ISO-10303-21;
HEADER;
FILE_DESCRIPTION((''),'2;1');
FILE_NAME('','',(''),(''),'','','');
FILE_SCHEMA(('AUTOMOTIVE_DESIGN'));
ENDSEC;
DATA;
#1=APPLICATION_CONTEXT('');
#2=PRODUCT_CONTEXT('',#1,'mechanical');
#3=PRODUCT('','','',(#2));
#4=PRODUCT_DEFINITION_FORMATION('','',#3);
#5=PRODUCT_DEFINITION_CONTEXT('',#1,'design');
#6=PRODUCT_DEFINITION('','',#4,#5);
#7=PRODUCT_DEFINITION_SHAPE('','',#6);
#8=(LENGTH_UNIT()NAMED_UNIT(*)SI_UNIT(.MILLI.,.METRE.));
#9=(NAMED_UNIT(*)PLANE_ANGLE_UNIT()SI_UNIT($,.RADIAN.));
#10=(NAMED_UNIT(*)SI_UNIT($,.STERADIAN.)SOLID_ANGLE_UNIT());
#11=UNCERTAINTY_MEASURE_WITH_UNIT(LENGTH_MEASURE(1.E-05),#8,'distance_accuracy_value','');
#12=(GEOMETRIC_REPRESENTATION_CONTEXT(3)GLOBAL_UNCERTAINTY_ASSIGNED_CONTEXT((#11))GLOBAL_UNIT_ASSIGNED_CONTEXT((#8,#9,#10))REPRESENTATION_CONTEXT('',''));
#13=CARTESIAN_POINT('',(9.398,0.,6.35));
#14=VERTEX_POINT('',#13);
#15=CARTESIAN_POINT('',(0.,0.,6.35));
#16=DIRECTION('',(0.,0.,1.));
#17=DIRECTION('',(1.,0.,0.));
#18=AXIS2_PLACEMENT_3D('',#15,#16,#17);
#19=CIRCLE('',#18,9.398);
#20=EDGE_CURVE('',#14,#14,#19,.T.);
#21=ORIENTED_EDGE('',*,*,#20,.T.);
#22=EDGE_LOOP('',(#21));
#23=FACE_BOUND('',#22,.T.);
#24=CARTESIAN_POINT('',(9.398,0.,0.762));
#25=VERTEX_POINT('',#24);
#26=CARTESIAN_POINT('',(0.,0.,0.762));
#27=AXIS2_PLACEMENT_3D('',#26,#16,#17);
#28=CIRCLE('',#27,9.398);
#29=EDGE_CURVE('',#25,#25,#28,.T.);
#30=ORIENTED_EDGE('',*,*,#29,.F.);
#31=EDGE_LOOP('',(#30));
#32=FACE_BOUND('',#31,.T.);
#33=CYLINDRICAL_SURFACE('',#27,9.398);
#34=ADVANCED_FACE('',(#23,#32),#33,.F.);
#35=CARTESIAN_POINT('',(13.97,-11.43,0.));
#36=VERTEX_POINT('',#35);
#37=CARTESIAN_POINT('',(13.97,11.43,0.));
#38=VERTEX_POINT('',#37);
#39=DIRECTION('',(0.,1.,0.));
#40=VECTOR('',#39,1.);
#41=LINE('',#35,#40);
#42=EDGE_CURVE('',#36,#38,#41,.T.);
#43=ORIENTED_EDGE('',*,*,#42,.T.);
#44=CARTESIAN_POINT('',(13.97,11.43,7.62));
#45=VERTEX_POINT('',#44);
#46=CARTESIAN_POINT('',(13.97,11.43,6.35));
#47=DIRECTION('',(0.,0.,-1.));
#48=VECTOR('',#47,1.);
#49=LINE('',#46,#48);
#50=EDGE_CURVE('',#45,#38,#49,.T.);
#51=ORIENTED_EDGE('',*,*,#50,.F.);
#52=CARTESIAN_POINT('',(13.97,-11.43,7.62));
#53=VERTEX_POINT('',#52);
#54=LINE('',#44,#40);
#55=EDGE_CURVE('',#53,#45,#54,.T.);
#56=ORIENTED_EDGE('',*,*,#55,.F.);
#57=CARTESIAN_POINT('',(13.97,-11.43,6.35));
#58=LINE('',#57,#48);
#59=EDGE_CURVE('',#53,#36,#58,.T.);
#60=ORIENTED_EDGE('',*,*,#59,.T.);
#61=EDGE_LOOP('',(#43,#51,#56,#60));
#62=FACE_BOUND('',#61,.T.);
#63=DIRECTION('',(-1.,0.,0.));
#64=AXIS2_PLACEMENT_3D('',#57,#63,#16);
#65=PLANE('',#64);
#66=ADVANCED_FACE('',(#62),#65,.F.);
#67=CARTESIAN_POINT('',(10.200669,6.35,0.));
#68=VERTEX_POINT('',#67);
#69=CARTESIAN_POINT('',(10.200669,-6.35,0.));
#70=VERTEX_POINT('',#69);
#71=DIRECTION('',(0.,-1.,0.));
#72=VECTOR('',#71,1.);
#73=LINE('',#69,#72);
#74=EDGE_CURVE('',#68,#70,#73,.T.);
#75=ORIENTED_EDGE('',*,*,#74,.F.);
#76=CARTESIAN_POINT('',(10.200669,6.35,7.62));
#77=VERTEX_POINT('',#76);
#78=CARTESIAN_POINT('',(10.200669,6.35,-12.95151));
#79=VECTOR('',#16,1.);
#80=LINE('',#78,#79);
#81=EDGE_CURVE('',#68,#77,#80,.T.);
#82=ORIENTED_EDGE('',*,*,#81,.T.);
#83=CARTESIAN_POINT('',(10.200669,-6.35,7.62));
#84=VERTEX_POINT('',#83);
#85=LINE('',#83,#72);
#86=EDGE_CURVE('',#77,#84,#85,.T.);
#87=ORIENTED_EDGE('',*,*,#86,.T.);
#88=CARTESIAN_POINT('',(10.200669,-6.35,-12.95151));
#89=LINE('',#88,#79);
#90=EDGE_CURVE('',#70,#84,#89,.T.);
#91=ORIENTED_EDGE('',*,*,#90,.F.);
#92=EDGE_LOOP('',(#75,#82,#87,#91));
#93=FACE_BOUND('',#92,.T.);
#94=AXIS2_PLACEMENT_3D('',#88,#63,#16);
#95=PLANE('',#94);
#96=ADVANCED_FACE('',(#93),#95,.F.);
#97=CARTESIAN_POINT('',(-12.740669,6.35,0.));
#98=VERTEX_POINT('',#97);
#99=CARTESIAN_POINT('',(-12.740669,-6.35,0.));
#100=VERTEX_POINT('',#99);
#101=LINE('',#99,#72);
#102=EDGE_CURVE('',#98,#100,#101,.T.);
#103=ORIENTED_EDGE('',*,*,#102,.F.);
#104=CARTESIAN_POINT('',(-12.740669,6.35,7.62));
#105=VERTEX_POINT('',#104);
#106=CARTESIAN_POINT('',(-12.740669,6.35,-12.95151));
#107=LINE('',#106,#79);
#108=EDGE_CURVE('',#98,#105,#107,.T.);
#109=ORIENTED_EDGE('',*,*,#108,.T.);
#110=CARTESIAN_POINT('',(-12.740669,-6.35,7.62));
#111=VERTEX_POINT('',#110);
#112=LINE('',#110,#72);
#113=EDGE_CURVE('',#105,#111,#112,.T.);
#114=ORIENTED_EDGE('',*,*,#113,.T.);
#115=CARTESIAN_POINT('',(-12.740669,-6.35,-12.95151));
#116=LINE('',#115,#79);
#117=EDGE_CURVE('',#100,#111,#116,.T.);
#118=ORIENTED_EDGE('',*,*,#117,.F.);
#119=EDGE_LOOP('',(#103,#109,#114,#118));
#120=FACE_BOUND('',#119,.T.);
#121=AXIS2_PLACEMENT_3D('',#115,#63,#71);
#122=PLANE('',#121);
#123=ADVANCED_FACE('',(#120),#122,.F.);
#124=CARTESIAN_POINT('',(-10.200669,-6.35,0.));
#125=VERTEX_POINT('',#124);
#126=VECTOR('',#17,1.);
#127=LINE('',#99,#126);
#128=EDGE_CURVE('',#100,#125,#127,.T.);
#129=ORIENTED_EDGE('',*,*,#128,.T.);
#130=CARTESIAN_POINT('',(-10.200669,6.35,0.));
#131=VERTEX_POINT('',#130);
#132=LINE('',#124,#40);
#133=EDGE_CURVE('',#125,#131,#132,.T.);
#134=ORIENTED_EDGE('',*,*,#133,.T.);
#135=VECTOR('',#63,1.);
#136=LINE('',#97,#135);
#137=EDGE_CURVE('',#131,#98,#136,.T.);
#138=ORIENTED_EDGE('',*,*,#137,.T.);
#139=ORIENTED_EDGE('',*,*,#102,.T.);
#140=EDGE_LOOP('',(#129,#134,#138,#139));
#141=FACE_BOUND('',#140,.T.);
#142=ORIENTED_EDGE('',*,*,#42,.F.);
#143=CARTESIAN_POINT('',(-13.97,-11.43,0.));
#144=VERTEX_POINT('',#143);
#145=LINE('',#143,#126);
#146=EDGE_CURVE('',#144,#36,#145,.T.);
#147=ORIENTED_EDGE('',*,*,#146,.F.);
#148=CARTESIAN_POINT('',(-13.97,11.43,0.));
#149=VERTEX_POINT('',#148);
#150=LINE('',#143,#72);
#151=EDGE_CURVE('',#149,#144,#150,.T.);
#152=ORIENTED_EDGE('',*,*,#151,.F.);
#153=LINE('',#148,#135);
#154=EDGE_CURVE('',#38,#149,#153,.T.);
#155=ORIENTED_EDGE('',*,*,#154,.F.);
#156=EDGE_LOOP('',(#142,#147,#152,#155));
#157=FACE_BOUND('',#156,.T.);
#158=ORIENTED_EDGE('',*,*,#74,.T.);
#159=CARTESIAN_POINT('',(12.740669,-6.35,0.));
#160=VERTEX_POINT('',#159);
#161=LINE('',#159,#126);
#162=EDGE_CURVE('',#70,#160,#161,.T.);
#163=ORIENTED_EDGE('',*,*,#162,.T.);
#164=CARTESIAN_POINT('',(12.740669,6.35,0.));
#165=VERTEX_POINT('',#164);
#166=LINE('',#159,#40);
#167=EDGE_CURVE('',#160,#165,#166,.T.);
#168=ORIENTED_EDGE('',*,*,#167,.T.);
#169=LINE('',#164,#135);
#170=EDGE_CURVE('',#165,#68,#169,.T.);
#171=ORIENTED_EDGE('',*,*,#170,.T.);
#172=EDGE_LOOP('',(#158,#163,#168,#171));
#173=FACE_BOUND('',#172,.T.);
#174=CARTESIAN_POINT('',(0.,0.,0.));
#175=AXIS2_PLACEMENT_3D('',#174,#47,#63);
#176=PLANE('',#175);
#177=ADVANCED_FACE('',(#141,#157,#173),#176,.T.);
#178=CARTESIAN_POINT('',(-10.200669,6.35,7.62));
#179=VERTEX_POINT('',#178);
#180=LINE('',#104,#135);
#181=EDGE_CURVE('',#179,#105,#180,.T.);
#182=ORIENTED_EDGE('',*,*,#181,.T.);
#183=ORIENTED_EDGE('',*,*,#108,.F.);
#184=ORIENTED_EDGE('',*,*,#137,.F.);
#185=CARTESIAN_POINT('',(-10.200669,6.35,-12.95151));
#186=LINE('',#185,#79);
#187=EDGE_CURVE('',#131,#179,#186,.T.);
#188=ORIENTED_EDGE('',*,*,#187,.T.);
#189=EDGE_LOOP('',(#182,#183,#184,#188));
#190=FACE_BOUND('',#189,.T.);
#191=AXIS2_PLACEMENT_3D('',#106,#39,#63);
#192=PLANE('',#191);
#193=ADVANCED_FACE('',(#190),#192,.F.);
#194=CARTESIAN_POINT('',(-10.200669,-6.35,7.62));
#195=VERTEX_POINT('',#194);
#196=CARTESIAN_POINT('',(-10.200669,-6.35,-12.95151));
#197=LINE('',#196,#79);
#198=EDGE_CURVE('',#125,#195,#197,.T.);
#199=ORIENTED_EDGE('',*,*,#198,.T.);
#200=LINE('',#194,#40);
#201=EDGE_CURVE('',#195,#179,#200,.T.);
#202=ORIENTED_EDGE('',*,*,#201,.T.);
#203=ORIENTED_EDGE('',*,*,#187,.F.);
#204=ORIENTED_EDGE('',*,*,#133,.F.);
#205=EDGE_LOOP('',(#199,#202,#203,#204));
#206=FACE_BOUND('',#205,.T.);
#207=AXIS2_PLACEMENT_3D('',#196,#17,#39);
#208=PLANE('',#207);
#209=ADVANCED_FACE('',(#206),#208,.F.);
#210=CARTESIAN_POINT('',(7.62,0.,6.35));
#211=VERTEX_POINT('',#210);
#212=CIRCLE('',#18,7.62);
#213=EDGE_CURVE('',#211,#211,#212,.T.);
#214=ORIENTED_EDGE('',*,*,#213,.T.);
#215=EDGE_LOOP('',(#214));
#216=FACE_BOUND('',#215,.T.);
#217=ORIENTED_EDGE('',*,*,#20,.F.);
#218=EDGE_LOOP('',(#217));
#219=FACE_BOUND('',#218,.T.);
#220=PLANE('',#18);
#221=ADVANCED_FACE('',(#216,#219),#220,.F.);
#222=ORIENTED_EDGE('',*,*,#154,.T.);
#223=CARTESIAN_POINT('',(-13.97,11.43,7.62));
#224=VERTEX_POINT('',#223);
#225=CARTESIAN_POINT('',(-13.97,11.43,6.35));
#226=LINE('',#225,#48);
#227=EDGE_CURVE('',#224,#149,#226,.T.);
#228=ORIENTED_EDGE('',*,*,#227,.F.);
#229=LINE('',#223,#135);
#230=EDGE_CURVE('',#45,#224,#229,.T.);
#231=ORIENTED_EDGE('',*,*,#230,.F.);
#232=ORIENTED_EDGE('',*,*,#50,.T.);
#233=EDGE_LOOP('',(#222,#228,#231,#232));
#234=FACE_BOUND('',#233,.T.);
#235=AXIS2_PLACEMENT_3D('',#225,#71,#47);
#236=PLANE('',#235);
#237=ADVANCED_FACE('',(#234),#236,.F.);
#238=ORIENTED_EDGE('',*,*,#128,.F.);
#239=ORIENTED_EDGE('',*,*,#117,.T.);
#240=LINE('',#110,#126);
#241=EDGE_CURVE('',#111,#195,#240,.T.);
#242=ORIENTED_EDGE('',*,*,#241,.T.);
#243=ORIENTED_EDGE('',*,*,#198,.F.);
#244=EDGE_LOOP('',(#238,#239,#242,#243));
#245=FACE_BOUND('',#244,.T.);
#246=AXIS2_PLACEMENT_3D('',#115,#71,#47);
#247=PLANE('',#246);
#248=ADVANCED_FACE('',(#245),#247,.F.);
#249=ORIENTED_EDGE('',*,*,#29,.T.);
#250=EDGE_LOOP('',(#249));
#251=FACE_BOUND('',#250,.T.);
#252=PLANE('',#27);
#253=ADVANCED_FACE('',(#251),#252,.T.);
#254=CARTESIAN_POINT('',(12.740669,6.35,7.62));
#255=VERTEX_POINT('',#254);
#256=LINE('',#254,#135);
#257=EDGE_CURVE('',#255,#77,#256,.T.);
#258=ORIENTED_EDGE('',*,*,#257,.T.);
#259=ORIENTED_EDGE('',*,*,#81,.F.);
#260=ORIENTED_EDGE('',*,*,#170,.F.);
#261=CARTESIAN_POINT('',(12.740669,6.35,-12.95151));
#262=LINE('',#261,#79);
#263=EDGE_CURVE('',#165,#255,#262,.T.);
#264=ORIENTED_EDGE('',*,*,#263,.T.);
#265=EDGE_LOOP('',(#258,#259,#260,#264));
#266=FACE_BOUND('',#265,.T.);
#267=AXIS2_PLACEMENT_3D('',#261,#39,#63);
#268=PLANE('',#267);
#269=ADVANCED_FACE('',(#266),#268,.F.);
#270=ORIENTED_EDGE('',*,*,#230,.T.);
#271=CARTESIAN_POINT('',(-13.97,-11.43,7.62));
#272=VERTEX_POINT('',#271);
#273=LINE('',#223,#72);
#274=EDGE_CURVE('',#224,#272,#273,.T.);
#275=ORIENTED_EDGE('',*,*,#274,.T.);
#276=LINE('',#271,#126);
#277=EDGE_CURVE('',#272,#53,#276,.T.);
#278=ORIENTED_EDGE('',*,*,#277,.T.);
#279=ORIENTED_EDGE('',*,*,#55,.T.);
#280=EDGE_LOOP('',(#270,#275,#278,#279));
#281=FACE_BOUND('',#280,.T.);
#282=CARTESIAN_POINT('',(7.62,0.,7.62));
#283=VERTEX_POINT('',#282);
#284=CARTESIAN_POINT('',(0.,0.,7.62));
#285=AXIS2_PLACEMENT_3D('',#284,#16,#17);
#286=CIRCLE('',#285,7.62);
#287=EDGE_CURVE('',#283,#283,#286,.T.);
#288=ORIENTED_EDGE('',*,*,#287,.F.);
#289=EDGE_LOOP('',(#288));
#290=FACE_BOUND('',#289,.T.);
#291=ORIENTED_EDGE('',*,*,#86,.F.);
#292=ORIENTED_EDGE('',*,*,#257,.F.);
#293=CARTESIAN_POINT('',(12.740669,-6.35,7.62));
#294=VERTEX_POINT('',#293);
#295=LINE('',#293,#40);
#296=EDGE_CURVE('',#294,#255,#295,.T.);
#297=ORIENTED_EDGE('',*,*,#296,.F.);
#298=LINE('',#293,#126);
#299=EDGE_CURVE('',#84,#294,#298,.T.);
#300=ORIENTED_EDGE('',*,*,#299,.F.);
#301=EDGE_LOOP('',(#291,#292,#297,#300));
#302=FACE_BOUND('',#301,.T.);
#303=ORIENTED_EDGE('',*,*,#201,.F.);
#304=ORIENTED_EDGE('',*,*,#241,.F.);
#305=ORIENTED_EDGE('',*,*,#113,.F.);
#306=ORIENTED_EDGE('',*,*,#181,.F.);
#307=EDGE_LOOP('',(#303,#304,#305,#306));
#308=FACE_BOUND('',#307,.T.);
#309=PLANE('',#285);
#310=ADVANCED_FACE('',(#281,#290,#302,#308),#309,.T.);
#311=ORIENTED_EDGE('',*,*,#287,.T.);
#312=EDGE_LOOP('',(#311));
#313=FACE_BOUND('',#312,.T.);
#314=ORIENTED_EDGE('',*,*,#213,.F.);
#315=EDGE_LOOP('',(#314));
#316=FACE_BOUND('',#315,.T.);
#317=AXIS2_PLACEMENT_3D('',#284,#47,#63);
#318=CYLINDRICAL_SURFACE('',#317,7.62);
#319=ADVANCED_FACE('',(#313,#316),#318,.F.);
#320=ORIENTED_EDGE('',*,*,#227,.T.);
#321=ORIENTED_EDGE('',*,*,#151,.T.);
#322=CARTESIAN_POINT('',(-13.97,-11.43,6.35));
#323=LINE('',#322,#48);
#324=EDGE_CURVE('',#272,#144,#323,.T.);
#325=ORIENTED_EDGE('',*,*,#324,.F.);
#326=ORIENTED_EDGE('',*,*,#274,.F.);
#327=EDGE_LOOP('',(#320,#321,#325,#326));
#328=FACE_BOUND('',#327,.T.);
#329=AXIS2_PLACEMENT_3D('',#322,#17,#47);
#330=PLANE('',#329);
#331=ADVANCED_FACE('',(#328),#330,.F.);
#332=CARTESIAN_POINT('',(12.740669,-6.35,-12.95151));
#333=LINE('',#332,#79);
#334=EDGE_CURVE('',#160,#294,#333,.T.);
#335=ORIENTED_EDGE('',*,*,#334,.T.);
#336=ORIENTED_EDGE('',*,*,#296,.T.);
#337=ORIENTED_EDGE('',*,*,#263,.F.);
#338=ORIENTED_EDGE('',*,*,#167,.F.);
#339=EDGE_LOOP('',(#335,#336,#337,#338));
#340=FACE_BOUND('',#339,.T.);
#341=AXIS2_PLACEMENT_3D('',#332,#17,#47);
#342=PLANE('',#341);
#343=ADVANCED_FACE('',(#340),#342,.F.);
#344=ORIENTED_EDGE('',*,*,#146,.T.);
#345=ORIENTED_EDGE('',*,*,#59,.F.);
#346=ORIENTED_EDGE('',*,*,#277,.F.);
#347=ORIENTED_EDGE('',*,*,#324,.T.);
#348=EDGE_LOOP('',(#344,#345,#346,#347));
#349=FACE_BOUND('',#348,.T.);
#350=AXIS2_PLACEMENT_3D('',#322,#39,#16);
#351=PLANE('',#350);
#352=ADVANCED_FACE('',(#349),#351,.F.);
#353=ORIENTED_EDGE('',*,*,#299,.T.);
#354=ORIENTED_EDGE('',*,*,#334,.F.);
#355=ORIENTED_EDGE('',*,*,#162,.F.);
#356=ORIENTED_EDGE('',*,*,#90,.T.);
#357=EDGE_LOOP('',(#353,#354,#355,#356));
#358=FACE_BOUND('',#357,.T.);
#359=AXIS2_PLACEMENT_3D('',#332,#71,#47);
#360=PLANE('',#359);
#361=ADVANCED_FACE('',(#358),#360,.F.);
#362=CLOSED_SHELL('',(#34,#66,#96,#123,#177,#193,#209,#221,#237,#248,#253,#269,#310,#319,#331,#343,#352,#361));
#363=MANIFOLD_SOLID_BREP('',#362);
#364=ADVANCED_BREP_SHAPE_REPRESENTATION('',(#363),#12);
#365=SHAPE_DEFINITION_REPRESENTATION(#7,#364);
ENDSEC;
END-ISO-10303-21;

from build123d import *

# Parameters (mm, degrees)
SKETCH1_W           = 27.94
SKETCH1_H           = 22.86
BOSS_EXTRUDE1_DEPTH = 6.35
SKETCH2_R           = 9.398
CUT_EXTRUDE1_DEPTH  = 5.588
SKETCH3_W           = 27.94
SKETCH3_H           = 22.86
SKETCH3_R           = 7.62
BOSS_EXTRUDE2_DEPTH = 1.27
SKETCH9_W           = 2.54
SKETCH9_H           = 12.7
CUT_EXTRUDE3_DEPTH  = 7.62


with BuildPart() as part:
    # Sketch1 → Boss-Extrude1 (new body)
    with BuildSketch(Plane.XY):
        Rectangle(SKETCH1_W, SKETCH1_H)
    extrude(amount=BOSS_EXTRUDE1_DEPTH)

    # Sketch2 → Cut-Extrude1 (cut)
    with BuildSketch(Plane.XY.offset(6.35)):
        Circle(SKETCH2_R)
    extrude(amount=-CUT_EXTRUDE1_DEPTH, mode=Mode.SUBTRACT)

    # Sketch3 → Boss-Extrude2 (add)
    with BuildSketch(Plane.XY.offset(6.35)):
        Rectangle(SKETCH3_W, SKETCH3_H)
        Circle(SKETCH3_R, mode=Mode.SUBTRACT)
    extrude(amount=BOSS_EXTRUDE2_DEPTH)

    # Sketch9 → Cut-Extrude3 (cut)
    with BuildSketch(Plane.XY.offset(7.62)):
        with Locations((-11.47066929, 0)):
            Rectangle(SKETCH9_W, SKETCH9_H)
        with Locations((11.47066929, 0)):
            Rectangle(SKETCH9_W, SKETCH9_H)
    extrude(amount=-CUT_EXTRUDE3_DEPTH, mode=Mode.SUBTRACT)


solid = part.part
